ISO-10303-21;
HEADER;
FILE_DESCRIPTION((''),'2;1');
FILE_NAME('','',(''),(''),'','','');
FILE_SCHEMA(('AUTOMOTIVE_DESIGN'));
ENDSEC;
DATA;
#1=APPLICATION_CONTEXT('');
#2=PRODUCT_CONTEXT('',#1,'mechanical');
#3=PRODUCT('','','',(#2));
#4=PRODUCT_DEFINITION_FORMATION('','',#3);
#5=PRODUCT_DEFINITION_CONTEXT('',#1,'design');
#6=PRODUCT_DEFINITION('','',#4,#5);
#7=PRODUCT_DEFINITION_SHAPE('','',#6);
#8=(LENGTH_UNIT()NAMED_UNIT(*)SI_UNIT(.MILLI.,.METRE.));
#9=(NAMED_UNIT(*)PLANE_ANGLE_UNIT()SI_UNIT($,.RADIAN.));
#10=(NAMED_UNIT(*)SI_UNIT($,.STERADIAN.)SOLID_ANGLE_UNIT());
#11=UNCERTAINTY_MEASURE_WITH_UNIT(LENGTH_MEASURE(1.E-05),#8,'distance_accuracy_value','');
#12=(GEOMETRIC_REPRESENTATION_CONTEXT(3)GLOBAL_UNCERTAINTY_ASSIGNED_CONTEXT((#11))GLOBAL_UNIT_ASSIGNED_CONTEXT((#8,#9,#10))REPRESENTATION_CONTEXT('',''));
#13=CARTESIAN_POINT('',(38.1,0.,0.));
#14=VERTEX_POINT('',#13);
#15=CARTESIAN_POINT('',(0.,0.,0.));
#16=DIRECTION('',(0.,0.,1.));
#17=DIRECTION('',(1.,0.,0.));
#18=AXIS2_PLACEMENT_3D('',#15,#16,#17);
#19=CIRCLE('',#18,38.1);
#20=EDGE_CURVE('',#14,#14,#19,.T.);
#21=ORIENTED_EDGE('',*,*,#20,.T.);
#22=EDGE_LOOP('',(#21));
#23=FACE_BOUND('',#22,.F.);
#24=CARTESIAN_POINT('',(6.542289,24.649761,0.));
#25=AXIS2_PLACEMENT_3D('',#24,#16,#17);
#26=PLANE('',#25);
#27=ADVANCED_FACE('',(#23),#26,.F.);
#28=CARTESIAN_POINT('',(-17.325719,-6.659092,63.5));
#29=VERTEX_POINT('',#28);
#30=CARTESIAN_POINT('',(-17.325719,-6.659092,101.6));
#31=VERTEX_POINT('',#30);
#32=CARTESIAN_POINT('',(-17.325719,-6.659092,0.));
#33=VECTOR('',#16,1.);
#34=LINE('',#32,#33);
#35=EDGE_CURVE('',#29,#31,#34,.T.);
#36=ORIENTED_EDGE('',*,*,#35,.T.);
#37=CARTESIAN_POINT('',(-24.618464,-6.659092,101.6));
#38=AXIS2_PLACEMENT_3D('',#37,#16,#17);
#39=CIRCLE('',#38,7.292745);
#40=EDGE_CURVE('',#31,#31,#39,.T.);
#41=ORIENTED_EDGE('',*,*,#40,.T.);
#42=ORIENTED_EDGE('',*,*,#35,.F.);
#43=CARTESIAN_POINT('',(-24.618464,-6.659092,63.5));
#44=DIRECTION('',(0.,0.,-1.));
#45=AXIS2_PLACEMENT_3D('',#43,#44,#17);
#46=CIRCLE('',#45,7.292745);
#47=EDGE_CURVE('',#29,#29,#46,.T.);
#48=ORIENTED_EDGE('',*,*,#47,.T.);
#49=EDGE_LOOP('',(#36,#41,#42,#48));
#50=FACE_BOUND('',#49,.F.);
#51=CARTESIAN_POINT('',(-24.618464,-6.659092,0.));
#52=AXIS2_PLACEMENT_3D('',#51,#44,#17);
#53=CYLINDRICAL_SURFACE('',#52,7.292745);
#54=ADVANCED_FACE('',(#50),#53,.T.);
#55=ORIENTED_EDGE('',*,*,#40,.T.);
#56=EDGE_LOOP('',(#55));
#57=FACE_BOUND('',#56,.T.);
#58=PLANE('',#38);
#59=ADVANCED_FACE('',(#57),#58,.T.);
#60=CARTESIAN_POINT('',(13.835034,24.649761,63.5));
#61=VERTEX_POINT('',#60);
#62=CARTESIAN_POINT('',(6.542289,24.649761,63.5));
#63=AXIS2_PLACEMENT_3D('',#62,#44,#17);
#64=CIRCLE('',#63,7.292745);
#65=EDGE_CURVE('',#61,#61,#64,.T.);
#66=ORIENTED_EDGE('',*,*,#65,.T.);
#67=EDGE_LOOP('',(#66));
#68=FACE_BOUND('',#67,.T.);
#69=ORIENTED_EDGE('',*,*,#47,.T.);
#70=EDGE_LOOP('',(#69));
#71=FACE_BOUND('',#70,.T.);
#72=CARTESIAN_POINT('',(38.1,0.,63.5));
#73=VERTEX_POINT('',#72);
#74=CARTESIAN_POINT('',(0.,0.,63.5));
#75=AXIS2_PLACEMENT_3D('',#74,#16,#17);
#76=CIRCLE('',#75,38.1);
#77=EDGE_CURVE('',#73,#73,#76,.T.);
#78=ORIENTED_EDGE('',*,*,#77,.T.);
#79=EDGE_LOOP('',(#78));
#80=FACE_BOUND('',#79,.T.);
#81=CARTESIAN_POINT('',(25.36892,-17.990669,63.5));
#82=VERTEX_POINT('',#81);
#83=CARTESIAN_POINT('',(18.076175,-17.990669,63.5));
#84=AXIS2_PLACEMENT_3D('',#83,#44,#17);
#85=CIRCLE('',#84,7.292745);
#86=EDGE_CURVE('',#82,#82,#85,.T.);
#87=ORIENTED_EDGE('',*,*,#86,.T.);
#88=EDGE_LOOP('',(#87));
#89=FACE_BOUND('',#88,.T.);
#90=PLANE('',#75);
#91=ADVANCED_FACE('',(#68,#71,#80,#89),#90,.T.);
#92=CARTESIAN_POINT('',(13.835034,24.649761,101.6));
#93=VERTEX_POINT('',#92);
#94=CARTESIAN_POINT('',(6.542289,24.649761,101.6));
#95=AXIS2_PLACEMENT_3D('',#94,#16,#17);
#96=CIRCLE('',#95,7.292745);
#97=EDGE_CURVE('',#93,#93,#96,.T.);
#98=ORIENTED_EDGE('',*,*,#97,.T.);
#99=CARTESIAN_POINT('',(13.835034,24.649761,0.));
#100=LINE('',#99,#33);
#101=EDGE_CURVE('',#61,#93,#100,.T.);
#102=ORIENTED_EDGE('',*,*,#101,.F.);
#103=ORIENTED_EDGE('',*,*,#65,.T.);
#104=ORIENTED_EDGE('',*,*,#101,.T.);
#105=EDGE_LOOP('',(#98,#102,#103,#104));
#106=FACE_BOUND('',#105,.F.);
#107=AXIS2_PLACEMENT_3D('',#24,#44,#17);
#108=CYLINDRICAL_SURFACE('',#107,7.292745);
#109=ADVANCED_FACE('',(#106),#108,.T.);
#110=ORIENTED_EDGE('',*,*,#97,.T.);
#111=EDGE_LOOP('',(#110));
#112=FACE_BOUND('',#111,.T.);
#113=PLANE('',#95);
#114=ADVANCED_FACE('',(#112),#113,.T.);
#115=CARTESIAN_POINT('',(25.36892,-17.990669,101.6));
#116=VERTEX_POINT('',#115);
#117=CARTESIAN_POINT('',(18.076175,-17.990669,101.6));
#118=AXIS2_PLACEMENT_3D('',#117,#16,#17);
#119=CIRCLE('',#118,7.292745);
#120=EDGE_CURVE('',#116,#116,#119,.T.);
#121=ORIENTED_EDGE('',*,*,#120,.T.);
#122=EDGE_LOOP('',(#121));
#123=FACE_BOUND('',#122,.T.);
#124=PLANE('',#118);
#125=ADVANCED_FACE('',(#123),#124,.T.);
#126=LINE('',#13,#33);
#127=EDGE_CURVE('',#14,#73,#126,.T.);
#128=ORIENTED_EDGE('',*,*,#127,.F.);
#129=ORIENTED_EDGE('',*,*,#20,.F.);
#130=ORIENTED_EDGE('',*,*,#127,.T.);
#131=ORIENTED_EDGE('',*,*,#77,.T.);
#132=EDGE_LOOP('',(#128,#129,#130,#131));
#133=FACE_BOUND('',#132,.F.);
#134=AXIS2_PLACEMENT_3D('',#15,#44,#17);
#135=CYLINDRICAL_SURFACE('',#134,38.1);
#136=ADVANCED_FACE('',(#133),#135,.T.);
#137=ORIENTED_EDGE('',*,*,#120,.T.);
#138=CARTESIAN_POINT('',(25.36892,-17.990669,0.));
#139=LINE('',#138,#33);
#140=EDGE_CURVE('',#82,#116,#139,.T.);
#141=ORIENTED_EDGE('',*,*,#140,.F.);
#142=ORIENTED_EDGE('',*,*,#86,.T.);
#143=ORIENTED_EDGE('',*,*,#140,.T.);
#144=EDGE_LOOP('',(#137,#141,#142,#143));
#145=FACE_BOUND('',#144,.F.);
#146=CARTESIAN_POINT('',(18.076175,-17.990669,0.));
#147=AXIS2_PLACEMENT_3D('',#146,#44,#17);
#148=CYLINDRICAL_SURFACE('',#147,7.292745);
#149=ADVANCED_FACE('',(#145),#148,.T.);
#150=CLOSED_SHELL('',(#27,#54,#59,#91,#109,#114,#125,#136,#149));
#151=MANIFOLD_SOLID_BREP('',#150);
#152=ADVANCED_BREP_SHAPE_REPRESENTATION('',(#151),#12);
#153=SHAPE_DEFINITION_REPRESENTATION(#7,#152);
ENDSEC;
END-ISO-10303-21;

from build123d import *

# Parameters (mm, degrees)
F0_R     = 38.1
F1_DEPTH = 63.5
F2_R     = 7.292745
F3_DEPTH = 101.6


with BuildPart() as f1:
    # F0 (on Top) → F1 (new body)
    with BuildSketch(Plane.XY):
        Circle(F0_R)
    extrude(amount=F1_DEPTH)

    # F2 (on Top) → F3 (join)
    with BuildSketch(Plane.XY):
        with Locations((6.542289, 24.649761)):
            Circle(F2_R)
        with Locations((-24.618464, -6.659092)):
            Circle(F2_R)
        with Locations((18.076175, -17.990669)):
            Circle(F2_R)
    extrude(amount=F3_DEPTH)


solid = f1.part
